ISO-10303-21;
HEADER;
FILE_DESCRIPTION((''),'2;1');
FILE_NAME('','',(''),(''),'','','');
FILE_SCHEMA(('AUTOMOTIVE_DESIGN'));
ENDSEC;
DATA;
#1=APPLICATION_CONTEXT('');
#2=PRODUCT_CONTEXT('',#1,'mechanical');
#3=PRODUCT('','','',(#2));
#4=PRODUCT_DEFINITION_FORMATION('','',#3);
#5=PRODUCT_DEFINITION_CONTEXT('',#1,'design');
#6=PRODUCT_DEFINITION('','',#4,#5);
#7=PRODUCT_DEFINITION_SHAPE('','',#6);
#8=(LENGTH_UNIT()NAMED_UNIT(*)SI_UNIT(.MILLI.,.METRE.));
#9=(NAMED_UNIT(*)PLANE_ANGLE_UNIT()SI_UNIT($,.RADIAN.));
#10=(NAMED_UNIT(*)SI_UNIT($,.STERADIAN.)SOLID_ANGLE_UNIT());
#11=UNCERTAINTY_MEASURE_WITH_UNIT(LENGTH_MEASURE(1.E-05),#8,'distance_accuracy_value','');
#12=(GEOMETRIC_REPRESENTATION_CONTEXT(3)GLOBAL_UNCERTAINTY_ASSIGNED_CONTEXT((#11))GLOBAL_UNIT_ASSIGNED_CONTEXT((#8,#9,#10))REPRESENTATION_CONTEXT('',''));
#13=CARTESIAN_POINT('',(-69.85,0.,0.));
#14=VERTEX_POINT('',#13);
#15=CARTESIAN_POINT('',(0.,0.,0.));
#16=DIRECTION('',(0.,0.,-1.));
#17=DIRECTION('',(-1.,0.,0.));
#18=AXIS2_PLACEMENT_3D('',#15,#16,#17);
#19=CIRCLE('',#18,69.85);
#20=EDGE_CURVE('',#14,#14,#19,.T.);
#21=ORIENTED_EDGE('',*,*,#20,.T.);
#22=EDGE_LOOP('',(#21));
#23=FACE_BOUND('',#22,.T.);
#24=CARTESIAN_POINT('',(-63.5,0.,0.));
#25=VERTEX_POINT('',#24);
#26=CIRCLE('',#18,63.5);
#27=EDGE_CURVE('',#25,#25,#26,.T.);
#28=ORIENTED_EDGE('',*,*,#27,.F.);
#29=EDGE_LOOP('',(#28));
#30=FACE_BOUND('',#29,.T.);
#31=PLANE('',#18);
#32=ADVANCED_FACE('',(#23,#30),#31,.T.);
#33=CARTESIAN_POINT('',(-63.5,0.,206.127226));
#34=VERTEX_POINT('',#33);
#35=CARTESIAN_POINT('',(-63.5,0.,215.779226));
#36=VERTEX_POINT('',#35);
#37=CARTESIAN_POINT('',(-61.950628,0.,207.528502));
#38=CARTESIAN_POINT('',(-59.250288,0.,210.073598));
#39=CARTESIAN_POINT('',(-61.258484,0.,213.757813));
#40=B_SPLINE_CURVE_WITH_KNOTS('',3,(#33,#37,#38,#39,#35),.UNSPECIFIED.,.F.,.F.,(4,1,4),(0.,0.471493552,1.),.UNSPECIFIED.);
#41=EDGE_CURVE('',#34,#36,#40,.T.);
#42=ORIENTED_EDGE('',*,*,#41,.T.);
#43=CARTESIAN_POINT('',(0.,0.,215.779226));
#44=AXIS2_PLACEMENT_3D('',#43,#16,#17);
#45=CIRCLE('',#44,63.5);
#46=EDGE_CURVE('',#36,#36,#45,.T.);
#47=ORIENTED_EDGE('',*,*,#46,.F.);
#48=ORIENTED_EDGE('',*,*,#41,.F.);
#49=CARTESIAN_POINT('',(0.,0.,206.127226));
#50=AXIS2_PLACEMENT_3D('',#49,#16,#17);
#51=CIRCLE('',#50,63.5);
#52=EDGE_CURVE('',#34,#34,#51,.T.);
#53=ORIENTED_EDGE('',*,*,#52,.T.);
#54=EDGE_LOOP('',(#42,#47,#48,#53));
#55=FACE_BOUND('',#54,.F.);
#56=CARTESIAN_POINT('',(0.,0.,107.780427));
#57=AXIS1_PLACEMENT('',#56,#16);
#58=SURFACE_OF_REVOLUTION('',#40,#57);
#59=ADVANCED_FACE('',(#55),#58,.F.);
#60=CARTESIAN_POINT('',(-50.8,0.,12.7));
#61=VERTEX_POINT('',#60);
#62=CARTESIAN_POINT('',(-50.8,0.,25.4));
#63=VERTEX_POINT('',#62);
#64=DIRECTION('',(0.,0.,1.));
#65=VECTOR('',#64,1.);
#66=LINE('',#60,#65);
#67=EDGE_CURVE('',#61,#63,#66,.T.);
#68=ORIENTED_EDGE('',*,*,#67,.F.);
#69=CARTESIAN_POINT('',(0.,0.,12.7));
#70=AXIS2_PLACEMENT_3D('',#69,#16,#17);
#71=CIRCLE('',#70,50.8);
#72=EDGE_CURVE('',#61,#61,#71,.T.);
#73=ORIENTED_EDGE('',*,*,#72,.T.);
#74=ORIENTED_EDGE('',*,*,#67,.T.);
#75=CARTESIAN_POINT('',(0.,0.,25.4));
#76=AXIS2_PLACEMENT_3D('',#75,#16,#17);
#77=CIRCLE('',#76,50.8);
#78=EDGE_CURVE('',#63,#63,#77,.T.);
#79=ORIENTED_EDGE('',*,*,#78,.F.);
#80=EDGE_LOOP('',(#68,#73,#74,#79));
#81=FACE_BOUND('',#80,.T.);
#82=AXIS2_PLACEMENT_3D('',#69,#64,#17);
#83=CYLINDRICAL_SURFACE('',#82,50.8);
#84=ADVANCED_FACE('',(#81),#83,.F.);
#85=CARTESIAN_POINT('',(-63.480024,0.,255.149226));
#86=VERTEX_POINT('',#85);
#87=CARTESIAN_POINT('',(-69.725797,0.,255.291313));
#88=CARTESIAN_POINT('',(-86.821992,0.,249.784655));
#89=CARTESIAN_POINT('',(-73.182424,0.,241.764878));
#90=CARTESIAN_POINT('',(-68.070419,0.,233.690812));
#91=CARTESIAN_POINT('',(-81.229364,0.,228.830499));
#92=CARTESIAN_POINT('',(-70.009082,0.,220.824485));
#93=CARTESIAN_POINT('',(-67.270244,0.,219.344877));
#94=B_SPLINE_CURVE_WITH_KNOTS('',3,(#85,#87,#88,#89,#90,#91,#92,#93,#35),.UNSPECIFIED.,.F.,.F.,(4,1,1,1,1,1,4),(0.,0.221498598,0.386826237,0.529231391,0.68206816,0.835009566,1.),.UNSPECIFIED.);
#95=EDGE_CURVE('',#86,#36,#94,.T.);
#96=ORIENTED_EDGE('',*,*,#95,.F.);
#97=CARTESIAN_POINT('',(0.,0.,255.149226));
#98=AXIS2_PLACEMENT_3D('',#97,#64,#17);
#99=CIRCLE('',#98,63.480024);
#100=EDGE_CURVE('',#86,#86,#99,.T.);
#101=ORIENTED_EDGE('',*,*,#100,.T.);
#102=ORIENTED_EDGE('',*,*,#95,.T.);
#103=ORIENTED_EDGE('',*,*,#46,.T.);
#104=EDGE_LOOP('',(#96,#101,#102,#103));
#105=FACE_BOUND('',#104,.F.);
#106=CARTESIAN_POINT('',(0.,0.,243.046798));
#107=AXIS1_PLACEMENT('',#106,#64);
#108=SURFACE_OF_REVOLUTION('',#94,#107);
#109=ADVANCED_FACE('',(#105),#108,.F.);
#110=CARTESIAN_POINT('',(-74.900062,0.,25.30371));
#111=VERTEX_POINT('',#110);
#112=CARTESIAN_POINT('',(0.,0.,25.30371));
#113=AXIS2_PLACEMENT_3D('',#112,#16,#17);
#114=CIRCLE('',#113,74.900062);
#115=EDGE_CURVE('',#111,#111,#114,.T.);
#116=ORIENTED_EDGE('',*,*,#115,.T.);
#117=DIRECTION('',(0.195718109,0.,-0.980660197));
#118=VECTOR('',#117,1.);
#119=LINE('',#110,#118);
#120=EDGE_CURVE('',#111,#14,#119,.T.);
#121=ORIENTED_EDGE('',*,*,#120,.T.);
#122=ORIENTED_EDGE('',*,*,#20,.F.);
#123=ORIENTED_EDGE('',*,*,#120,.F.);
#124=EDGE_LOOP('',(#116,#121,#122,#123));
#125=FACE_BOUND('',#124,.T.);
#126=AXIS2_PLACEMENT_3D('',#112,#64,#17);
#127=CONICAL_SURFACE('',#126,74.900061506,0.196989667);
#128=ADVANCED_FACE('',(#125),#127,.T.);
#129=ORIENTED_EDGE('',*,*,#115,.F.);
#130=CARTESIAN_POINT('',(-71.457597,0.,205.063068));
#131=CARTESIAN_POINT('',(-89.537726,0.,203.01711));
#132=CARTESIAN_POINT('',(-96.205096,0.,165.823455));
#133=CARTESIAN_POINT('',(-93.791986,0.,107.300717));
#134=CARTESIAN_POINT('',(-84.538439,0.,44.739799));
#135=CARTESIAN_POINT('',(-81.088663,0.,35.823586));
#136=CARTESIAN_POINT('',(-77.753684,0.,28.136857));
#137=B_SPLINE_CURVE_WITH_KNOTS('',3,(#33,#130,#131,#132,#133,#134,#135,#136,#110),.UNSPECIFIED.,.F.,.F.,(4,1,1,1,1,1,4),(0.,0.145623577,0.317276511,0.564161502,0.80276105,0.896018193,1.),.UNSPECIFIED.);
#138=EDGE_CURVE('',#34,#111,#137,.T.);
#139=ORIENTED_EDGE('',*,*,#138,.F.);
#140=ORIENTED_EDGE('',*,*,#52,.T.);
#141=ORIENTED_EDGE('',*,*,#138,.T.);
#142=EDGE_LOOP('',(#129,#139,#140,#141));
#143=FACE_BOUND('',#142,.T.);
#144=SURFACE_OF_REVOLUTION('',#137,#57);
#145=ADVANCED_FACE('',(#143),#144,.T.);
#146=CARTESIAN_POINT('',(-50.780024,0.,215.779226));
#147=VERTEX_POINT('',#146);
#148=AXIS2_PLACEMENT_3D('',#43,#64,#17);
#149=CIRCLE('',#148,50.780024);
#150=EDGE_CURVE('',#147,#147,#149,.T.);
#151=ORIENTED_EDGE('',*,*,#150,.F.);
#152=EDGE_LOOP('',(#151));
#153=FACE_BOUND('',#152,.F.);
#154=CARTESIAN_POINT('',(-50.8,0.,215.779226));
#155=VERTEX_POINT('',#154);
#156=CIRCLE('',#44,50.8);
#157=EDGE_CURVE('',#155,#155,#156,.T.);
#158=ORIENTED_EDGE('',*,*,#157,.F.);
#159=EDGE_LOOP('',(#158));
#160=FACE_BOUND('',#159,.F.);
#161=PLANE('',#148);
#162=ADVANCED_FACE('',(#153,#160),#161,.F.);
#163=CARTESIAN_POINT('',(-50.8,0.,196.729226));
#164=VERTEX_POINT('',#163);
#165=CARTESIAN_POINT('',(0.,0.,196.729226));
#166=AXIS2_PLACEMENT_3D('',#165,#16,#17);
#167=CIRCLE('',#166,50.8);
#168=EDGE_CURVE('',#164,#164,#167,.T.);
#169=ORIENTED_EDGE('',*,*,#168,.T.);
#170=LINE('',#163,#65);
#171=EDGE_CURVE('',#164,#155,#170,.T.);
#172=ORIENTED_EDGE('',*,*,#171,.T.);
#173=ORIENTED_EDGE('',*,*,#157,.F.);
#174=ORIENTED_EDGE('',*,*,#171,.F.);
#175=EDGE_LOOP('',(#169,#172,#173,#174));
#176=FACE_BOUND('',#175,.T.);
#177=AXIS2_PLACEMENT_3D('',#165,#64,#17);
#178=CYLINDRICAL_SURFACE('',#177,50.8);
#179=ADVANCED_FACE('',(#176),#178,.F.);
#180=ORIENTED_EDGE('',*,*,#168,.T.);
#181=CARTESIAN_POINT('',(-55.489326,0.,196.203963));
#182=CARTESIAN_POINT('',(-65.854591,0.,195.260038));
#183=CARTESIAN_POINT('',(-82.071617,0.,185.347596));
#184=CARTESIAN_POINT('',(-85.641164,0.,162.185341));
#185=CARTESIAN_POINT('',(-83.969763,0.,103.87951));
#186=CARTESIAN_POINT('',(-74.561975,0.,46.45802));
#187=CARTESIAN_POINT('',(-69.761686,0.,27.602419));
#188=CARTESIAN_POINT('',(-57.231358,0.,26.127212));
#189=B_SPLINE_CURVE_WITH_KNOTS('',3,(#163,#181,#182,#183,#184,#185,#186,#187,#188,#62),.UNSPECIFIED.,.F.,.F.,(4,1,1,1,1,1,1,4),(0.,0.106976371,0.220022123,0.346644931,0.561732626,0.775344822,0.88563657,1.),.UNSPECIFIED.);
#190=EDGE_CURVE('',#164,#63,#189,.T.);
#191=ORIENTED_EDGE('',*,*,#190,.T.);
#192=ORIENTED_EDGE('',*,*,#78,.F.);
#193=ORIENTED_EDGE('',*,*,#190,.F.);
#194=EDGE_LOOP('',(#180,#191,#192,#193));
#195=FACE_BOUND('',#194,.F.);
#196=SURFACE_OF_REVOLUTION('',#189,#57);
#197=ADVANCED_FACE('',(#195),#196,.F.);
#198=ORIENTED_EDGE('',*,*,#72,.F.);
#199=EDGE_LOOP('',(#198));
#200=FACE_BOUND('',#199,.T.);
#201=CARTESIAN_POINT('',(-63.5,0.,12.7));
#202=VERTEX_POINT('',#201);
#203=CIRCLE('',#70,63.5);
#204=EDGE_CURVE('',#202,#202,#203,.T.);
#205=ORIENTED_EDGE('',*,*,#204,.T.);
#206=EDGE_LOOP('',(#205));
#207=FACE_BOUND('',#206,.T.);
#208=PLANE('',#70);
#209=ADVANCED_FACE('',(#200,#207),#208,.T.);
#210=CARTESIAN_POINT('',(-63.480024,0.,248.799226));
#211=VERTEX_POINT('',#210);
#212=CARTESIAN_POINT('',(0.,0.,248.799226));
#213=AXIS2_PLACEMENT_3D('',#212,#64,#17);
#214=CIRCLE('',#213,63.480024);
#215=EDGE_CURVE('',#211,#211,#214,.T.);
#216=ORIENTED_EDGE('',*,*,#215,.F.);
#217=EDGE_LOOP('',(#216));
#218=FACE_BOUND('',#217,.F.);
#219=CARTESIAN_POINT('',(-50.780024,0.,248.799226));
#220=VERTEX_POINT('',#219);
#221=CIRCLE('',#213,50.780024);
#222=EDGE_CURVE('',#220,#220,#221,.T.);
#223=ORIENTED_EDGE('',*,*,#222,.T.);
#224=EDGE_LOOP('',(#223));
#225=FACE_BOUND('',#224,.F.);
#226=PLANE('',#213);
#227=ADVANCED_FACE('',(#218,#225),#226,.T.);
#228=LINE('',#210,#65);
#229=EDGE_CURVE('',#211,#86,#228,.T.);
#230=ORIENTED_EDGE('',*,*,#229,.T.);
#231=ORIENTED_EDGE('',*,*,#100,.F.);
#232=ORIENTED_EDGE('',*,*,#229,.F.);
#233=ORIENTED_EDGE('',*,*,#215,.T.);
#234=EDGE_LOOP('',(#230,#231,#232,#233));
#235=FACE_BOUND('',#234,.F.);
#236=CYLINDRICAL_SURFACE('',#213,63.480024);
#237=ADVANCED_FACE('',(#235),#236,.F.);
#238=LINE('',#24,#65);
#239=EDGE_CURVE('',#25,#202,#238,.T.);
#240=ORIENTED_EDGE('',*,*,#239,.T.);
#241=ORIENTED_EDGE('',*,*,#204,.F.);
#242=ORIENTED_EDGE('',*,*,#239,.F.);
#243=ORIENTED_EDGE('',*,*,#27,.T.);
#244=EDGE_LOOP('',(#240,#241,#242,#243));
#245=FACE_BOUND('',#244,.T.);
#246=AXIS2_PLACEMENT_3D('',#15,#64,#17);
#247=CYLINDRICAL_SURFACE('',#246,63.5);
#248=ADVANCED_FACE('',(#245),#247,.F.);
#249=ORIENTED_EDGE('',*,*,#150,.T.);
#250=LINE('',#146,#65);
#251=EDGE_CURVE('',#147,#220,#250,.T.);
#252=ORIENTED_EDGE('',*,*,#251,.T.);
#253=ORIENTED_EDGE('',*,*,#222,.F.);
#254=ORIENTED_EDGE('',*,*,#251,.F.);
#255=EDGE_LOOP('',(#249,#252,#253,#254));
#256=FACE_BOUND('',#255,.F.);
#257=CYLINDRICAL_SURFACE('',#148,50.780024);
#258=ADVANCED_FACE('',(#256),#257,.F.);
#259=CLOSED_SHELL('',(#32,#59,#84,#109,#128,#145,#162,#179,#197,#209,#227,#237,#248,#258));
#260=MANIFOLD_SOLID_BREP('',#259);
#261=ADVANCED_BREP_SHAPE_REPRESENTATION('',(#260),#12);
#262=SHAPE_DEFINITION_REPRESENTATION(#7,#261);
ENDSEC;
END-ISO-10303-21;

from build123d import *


with BuildPart() as f1:
    # F0 (on Front) → F1 (revolve)
    with BuildSketch(Plane.XZ):
        with BuildLine():
            Line((-63.5, 12.7), (-50.8, 12.7))
            Line((-50.8, 12.7), (-50.8, 25.4))
            add(Edge.make_bspline(
                [(-50.8, 196.7292263527), (-55.4893262235, 196.2039625073), (-65.8545906197, 195.2600382897), (-82.0716172237, 185.3475962145), (-85.641164119, 162.1853411346), (-83.9697627929, 103.8795101599), (-74.5619746661, 46.4580197926), (-69.7616856244, 27.6024186187), (-57.2313578049, 26.1272115119), (-50.8, 25.4)],
                knots=[0, 0, 0, 0, 0.1069763712, 0.2200221229, 0.3466449315, 0.5617326258, 0.7753448222, 0.8856365704, 1, 1, 1, 1], degree=3))
            Line((-50.8, 196.7292263527), (-50.8, 215.7792263527))
            Line((-50.8, 215.7792263527), (-63.5, 215.7792263527))
            add(Edge.make_bspline(
                [(-63.5, 206.1272263527), (-61.9506277144, 207.528501749), (-59.2502878449, 210.0735983825), (-61.2584836781, 213.7578129768), (-63.5, 215.7792263527)],
                knots=[0, 0, 0, 0, 0.4714935523, 1, 1, 1, 1], degree=3))
            add(Edge.make_bspline(
                [(-63.5, 206.1272263527), (-71.4575969978, 205.063067953), (-89.5377256718, 203.0171096587), (-96.2050962488, 165.8234545976), (-93.7919861007, 107.3007174993), (-84.5384389717, 44.7397990425), (-81.0886634133, 35.8235857126), (-77.7536841536, 28.1368566047), (-74.900061506, 25.303710252)],
                knots=[0, 0, 0, 0, 0.1456235773, 0.3172765114, 0.5641615023, 0.8027610497, 0.8960181934, 1, 1, 1, 1], degree=3))
            Line((-74.900061506, 25.303710252), (-69.85, 0))
            Line((-69.85, 0), (-63.5, 0))
            Line((-63.5, 0), (-63.5, 12.7))
        make_face()
    revolve(axis=Axis((0, 0, 107.7804267406), (0, 0, -1)))

    # F2 (on face) → F3 (revolve)
    with BuildSketch(Plane.XZ):
        with BuildLine():
            Line((-50.8, 215.7792263527), (-50.7800243795, 215.7792263527))
            Line((-50.7800243795, 215.7792263527), (-50.7800243795, 248.7992263527))
            Line((-50.7800243795, 248.7992263527), (-63.4800243795, 248.7992263527))
            Line((-63.4800243795, 248.7992263527), (-63.4800243795, 255.1492263527))
            add(Edge.make_bspline(
                [(-63.4800243795, 255.1492263527), (-69.7257965803, 255.291312933), (-86.8219924441, 249.7846553075), (-73.1824242131, 241.7648779848), (-68.0704193777, 233.6908120674), (-81.2293644571, 228.8304989971), (-70.009082171, 220.8244850251), (-67.2702439095, 219.3448771485), (-63.5, 215.7792263527)],
                knots=[0, 0, 0, 0, 0.2214985978, 0.3868262368, 0.5292313915, 0.6820681598, 0.8350095658, 1, 1, 1, 1], degree=3))
            Line((-63.5, 215.7792263527), (-50.8, 215.7792263527))
        make_face()
    revolve(axis=Axis((0, 0, 243.046797812), (0, 0, 1)))


solid = f1.part
